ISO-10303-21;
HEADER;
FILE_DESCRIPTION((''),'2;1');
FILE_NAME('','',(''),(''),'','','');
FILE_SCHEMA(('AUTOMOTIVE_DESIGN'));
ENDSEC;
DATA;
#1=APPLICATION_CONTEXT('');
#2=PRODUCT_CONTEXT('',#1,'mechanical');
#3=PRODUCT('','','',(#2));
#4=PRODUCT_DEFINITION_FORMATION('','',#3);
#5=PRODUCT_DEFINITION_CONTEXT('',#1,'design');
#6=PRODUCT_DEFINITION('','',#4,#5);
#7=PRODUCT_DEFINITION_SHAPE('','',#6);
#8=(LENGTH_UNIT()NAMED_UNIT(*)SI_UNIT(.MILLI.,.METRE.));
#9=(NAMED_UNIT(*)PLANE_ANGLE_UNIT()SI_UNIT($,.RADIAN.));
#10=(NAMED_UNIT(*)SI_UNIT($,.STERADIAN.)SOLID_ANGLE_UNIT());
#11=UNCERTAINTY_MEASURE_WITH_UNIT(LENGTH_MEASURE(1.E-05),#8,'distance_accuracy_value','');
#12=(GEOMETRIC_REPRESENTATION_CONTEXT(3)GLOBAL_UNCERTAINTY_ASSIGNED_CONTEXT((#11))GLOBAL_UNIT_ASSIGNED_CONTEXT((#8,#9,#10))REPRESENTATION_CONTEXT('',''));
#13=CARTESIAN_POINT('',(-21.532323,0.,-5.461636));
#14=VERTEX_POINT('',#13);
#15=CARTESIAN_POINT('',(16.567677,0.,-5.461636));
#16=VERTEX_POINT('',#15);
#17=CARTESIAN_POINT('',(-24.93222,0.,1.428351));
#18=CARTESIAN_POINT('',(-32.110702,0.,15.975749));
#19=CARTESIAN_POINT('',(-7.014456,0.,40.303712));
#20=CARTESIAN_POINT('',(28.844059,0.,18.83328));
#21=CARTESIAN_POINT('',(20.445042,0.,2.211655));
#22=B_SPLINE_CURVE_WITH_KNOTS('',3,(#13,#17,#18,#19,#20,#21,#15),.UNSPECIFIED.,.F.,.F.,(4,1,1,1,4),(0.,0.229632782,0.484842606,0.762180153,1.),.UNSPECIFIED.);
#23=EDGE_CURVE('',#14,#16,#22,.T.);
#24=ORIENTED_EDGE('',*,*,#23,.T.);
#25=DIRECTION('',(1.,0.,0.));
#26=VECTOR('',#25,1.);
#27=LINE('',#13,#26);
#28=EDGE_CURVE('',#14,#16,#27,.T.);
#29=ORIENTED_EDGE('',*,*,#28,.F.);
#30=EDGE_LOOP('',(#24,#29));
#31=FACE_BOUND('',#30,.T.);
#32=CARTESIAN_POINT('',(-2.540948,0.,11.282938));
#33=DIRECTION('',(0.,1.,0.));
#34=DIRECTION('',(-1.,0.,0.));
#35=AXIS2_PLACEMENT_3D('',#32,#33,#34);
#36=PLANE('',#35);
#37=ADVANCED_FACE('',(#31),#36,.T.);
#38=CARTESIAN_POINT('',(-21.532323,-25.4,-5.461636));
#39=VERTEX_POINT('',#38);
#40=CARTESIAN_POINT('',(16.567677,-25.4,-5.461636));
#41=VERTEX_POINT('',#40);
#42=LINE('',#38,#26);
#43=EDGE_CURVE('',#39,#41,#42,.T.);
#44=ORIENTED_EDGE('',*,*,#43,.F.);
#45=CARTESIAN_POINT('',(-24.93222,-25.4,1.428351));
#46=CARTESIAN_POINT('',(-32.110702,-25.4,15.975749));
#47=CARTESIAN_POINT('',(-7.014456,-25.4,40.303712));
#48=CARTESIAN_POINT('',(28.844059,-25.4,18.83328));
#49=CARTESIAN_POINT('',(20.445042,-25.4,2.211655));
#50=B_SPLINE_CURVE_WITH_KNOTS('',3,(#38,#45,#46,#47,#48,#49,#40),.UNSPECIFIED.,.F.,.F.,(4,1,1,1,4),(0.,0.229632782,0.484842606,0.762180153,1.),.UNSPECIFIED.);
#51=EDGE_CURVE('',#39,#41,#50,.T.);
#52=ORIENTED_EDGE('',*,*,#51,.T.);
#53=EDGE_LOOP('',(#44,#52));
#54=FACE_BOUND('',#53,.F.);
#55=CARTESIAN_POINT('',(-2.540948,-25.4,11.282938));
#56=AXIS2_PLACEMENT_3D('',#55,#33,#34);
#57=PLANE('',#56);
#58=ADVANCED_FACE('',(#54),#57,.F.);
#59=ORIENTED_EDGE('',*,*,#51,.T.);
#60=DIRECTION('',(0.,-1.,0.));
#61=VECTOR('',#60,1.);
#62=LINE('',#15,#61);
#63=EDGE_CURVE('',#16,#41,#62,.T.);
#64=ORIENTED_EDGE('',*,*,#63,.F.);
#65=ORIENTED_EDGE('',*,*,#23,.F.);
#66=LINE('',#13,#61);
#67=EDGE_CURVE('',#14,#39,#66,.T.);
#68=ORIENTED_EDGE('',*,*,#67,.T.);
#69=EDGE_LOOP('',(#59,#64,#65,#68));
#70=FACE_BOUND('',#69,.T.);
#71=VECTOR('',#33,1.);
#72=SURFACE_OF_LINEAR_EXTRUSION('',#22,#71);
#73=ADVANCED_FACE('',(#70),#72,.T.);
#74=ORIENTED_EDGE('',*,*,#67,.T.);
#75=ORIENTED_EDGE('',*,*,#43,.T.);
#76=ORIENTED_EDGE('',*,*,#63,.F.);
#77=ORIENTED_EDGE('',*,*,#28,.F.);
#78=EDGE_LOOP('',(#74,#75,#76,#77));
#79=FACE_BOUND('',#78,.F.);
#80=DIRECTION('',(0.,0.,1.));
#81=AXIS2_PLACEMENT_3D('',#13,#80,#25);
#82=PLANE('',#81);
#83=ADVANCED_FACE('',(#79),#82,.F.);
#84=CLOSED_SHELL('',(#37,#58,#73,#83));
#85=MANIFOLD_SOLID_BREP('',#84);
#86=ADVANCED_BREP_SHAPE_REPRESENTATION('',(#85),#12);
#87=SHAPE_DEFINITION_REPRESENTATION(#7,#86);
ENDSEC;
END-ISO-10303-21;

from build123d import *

# Parameters (mm, degrees)
F1_DEPTH = 25.4


with BuildPart() as f1:
    # F0 (on Front) → F1 (new body)
    with BuildSketch(Plane.XZ):
        with BuildLine():
            add(Edge.make_bspline(
                [(-21.5323232743, -5.4616359314), (-24.9322199416, 1.4283513153), (-32.1107017955, 15.9757488584), (-7.0144555026, 40.3037122551), (28.8440594019, 18.8332801964), (20.4450415313, 2.2116547464), (16.5676767257, -5.4616359314)],
                knots=[0, 0, 0, 0, 0.2296327822, 0.484842606, 0.7621801525, 1, 1, 1, 1], degree=3))
            Line((-21.5323232743, -5.4616359314), (16.5676767257, -5.4616359314))
        make_face()
    extrude(amount=F1_DEPTH)


solid = f1.part
